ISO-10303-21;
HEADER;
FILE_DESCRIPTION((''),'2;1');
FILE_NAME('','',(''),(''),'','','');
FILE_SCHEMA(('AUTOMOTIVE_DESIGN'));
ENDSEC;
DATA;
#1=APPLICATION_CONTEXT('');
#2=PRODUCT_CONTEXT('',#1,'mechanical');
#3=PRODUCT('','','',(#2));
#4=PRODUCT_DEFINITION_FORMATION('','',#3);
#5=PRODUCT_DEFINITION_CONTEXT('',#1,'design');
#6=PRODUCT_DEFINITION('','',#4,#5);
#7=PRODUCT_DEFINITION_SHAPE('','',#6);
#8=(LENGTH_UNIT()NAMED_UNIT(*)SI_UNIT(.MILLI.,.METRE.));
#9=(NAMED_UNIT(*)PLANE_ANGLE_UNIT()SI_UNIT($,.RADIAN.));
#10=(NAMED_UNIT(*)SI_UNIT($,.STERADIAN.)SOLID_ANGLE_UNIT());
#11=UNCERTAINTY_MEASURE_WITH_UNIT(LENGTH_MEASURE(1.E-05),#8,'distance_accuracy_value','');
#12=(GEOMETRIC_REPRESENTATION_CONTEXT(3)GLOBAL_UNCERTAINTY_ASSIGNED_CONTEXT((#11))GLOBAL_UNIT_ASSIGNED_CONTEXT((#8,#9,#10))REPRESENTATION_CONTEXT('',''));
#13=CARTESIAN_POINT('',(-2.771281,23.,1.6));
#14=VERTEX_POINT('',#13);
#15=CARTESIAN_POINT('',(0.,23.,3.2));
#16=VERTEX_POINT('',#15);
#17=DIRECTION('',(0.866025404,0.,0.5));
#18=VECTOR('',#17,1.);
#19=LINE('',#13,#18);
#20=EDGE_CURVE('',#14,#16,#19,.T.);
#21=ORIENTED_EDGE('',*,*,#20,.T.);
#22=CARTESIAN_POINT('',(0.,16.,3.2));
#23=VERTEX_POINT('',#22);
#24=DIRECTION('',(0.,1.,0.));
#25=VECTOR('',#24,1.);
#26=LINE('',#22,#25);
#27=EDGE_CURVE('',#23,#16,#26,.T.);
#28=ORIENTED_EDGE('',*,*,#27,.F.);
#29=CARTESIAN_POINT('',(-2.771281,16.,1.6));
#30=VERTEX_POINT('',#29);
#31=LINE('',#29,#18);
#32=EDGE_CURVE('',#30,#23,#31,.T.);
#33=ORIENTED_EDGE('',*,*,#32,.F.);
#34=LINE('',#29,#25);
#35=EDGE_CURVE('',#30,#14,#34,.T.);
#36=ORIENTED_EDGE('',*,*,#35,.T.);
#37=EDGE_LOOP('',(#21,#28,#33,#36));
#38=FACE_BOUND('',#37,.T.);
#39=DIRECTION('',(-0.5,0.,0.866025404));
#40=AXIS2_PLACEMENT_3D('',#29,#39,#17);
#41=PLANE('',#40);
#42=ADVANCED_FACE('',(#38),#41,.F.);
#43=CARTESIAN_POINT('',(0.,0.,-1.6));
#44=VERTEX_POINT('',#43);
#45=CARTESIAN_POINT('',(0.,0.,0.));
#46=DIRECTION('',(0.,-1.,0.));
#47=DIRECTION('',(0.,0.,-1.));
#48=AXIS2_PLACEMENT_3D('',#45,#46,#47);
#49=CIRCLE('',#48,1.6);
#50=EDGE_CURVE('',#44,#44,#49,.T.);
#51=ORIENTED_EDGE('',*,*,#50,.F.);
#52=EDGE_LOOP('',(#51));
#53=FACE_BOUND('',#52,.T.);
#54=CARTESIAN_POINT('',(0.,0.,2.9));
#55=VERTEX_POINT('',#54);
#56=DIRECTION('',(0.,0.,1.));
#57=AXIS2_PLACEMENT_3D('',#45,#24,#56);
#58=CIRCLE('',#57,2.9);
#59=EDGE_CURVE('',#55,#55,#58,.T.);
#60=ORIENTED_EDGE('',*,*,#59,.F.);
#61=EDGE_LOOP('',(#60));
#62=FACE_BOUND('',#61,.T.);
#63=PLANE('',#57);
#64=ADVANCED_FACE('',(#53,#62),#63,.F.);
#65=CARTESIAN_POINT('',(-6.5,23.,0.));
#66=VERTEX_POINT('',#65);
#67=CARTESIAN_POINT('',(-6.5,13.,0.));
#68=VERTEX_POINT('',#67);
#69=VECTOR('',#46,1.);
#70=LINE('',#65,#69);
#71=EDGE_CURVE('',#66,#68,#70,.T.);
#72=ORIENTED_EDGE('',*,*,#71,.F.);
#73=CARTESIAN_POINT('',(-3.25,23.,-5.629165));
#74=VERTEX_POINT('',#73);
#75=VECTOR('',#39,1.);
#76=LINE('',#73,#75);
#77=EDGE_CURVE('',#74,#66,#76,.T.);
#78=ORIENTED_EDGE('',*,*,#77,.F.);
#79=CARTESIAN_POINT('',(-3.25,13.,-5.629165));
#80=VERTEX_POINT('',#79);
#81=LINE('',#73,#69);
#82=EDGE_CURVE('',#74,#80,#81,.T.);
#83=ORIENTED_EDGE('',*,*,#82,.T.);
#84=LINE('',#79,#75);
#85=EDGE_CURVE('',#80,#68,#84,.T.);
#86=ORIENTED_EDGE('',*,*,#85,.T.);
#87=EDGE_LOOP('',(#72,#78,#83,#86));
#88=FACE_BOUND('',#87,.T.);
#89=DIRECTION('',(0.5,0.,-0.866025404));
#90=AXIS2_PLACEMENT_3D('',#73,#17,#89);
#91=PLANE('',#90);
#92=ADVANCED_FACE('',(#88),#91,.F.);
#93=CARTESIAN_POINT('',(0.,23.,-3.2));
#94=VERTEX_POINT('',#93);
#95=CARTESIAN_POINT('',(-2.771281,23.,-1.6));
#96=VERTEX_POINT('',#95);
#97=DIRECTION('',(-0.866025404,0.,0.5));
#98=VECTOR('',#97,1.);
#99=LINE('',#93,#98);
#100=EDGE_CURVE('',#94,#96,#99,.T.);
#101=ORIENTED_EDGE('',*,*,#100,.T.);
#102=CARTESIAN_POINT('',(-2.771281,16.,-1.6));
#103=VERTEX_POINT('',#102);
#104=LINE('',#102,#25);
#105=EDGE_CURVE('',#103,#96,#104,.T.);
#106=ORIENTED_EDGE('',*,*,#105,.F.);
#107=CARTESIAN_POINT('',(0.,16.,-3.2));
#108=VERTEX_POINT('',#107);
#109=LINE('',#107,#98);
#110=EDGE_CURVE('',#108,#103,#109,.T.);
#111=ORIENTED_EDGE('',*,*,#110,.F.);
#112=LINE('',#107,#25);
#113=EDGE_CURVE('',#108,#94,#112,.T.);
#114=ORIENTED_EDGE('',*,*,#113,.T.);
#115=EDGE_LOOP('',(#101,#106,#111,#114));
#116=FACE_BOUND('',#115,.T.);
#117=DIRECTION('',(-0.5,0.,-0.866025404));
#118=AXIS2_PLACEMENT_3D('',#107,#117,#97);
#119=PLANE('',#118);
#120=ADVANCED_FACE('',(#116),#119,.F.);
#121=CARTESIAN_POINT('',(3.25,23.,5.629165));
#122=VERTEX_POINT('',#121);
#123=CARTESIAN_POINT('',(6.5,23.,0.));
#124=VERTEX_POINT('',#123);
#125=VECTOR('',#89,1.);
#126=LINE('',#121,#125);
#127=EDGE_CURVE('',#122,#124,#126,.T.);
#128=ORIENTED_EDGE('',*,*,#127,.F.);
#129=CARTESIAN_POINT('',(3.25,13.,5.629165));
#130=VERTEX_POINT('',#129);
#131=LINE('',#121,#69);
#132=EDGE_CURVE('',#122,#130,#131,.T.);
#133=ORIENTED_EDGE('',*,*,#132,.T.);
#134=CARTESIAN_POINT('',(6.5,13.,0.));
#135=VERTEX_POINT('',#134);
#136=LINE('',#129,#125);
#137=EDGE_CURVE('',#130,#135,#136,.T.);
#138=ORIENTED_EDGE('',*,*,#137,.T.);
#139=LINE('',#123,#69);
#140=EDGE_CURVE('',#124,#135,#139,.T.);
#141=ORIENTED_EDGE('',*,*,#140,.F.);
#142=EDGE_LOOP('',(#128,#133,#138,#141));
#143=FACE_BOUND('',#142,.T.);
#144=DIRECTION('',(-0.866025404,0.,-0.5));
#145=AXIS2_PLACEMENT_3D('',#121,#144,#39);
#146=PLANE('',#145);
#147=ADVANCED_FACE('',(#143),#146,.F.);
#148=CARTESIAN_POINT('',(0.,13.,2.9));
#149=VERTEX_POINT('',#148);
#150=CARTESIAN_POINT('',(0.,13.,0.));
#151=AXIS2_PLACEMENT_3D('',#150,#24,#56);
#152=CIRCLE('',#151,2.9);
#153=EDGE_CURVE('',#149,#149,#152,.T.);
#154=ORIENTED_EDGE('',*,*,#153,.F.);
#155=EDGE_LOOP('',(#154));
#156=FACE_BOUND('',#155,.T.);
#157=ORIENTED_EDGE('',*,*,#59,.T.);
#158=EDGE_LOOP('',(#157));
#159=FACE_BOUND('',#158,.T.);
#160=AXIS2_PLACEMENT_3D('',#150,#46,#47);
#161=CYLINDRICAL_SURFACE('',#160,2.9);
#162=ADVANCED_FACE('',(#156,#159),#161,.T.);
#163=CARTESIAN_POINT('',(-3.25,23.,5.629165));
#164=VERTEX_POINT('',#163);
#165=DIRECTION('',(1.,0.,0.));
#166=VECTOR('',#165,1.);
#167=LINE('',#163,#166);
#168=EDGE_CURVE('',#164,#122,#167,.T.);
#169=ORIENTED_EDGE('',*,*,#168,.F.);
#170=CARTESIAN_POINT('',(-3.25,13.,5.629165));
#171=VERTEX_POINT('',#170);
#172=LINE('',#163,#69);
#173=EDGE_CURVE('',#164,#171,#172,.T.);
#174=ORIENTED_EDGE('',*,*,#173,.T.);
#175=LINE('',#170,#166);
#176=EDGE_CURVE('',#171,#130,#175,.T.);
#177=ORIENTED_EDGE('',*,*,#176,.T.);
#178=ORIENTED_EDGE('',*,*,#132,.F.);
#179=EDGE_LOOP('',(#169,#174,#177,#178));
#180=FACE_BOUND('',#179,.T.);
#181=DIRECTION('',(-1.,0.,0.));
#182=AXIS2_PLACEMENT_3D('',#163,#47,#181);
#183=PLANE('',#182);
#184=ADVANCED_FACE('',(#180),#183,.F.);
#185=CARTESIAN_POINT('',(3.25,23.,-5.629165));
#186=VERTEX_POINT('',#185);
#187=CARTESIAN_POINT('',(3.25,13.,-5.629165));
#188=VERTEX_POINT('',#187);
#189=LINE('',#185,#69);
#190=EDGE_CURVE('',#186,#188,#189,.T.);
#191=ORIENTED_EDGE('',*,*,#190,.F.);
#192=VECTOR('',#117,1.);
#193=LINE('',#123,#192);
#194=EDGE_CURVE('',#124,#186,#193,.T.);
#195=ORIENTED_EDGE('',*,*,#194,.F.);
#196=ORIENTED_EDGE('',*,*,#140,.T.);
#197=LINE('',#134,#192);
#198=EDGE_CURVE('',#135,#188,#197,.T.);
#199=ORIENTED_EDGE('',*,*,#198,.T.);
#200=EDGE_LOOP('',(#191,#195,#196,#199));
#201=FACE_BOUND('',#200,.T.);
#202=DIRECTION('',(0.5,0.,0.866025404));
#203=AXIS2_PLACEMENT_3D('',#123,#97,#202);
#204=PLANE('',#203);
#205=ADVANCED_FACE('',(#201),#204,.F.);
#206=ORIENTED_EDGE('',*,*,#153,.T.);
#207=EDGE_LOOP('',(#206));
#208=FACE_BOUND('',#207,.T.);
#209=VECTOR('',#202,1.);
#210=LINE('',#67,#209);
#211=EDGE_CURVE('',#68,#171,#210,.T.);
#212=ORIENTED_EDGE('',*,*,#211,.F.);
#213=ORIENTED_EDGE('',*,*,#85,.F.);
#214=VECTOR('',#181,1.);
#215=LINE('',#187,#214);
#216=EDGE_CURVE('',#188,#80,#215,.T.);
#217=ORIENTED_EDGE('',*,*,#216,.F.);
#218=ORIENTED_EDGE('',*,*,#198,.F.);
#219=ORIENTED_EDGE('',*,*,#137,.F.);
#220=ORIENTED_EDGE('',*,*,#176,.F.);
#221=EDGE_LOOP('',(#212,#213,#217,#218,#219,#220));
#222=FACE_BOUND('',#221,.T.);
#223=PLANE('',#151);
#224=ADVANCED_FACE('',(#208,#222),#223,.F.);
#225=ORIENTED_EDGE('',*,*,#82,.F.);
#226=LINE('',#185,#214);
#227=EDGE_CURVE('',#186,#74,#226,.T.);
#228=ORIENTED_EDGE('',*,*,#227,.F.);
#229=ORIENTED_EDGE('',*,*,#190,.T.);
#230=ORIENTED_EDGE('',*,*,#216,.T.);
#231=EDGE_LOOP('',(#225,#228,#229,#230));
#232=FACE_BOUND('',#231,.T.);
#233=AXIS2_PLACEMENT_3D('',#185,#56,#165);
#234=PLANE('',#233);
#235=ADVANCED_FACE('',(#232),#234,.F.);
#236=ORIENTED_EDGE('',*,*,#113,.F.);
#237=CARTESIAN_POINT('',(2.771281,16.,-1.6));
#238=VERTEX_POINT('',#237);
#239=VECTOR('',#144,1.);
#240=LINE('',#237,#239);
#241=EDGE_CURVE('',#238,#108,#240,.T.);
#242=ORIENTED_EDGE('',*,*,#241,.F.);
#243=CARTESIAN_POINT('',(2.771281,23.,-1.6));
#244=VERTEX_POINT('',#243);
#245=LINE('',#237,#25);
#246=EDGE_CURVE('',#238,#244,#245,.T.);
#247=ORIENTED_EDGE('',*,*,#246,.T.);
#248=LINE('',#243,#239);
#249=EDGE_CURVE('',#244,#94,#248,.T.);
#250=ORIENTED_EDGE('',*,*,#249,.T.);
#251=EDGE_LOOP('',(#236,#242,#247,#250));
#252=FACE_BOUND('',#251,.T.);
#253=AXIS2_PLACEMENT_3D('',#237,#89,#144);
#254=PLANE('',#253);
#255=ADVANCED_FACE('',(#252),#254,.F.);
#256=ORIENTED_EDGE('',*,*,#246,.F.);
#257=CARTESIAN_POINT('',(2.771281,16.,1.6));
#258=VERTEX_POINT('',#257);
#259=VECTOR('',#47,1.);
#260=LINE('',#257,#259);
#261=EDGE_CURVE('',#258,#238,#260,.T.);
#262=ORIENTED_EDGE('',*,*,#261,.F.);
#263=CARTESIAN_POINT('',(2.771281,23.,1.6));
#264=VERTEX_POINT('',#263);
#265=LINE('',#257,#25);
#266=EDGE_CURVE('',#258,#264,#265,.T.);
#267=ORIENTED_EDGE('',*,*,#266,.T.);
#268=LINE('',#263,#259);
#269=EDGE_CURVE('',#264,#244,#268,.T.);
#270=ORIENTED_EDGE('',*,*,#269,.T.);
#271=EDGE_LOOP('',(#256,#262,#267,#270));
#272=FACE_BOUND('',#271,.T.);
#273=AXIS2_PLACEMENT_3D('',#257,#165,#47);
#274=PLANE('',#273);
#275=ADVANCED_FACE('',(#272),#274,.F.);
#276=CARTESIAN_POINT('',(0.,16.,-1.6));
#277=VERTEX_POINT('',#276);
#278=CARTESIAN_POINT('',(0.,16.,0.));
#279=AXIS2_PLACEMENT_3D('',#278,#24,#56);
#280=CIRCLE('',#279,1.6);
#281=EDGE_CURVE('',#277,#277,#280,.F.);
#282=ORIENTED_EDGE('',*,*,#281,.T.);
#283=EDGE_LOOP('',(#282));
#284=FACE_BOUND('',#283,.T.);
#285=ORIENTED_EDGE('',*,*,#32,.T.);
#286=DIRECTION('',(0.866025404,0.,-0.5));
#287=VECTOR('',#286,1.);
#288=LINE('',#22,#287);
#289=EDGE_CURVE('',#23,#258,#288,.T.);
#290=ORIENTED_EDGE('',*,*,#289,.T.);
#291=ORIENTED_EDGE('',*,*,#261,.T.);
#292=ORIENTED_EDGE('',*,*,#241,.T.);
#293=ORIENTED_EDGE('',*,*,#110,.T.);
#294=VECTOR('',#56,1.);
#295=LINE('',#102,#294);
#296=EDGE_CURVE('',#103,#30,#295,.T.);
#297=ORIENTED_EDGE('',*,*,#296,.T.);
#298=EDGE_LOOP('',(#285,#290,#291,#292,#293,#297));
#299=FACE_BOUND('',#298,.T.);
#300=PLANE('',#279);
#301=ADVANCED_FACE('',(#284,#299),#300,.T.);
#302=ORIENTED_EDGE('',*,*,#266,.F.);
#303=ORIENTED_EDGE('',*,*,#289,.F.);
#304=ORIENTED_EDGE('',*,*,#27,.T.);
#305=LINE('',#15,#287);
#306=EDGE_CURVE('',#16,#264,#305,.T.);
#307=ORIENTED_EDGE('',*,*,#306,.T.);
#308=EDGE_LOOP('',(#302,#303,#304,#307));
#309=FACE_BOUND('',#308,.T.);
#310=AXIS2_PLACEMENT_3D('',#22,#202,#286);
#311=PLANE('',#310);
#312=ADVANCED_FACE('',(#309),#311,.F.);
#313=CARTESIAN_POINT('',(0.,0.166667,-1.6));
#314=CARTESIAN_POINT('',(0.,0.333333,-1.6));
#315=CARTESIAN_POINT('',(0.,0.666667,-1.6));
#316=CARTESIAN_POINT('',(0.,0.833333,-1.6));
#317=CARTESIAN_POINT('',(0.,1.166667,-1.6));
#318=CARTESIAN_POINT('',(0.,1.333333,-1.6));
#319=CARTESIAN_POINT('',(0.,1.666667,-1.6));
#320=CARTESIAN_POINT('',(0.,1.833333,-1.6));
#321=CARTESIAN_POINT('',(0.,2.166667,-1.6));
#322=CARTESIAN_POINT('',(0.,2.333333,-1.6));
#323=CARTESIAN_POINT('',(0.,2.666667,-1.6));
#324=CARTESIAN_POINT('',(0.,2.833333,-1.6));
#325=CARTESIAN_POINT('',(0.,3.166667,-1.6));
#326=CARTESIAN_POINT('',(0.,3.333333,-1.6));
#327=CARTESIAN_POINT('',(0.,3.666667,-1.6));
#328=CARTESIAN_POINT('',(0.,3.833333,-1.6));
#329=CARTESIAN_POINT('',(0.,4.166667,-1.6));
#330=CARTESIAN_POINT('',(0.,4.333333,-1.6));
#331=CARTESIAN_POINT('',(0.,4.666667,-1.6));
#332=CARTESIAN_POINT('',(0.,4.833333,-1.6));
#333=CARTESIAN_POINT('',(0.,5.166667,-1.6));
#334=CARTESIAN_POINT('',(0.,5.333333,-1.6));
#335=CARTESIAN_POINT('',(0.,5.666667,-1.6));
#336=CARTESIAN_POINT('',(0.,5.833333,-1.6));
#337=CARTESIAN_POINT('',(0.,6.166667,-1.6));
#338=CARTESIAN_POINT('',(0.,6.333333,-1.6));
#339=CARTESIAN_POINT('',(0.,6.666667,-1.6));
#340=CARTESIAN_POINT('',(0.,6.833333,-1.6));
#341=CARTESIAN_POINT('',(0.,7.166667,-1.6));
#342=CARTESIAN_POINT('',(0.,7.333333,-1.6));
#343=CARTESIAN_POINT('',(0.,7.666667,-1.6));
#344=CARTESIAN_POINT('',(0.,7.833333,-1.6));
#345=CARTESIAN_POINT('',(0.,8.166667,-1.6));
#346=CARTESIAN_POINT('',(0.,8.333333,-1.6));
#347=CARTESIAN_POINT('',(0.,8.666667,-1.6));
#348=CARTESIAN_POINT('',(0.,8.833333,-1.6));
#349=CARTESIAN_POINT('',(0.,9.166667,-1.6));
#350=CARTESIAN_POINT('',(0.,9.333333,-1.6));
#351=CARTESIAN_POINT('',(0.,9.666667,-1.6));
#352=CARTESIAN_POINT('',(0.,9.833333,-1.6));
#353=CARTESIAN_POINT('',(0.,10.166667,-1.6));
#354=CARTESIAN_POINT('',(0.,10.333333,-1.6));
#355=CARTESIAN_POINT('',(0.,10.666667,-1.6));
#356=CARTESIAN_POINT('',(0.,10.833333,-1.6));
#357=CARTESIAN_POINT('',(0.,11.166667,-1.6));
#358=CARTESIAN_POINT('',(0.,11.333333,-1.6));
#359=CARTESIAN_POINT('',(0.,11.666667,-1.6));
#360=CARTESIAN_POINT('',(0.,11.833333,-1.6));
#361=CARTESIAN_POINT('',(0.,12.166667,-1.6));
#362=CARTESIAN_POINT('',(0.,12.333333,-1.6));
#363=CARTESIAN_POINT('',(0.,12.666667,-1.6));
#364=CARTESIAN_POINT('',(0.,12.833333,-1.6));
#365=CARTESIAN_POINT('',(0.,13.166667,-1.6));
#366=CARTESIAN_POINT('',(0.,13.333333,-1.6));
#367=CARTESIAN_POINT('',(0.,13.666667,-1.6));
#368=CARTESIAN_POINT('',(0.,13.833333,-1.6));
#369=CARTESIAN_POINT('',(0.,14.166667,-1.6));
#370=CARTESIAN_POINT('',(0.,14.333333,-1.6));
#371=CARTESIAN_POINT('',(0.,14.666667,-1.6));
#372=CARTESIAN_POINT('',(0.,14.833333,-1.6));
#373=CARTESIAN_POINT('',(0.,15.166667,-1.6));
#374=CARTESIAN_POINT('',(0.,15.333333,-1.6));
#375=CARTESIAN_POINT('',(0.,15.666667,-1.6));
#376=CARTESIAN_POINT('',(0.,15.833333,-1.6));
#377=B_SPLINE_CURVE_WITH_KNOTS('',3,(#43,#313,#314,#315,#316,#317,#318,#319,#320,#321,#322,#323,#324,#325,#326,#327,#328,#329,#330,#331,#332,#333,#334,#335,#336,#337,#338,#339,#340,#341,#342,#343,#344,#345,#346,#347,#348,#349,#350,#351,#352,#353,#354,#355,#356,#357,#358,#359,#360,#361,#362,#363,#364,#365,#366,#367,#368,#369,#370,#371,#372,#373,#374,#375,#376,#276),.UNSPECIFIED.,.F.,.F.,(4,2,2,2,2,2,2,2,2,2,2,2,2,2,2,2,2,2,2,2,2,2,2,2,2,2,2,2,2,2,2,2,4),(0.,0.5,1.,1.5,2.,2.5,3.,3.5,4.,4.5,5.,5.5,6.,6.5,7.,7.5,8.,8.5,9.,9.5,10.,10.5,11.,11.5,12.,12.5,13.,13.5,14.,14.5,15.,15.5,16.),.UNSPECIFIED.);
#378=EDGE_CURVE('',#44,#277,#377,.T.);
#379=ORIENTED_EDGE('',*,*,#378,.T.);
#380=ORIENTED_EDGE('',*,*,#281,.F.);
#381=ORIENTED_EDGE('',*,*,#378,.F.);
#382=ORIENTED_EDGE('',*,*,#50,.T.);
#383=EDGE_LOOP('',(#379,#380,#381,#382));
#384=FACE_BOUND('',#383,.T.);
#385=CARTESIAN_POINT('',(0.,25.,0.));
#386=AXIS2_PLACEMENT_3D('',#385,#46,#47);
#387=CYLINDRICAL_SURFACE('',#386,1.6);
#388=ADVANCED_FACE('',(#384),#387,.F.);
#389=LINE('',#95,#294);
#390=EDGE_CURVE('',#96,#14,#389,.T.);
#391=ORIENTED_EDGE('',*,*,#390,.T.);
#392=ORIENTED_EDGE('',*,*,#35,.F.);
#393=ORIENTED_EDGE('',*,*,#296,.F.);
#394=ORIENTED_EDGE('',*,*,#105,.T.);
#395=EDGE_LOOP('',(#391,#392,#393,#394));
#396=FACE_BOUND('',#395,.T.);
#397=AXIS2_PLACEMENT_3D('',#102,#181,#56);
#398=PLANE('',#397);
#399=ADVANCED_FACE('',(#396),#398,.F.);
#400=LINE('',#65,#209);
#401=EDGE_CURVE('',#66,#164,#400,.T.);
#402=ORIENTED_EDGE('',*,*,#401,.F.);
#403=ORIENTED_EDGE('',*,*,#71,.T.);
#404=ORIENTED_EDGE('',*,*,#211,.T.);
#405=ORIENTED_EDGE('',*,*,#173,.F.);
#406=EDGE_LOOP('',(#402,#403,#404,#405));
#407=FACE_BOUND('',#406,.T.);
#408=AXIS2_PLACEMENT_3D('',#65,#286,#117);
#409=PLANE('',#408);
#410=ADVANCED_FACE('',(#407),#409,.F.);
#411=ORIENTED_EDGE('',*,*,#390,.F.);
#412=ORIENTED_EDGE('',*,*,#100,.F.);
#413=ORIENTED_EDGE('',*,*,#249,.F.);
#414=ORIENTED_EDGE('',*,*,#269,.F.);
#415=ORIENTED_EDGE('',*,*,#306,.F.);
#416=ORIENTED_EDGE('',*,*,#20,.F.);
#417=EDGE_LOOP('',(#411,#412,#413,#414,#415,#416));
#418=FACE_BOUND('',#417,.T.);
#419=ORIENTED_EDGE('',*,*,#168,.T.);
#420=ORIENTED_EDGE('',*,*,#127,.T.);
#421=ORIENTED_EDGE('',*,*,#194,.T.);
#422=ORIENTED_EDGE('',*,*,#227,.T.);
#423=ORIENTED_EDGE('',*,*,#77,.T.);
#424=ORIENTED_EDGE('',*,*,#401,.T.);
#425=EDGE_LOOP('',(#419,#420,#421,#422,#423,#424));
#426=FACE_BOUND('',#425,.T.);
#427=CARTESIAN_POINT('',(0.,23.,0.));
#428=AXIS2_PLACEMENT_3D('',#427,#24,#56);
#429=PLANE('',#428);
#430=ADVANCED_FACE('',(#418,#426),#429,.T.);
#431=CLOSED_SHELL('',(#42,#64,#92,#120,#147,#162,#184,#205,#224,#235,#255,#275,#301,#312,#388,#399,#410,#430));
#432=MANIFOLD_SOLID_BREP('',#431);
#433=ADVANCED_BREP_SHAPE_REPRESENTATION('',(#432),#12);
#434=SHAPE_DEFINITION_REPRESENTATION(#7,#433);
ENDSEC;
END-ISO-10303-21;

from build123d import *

# Parameters (mm, degrees)
SKETCH1_R           = 2.9
BOSS_EXTRUDE1_DEPTH = 13
BOSS_EXTRUDE2_DEPTH = 10
SKETCH3_R           = 1.6
CUT_EXTRUDE1_DEPTH  = 25
CUT_EXTRUDE2_DEPTH  = 7


with BuildPart() as part:
    # Sketch1 → Boss-Extrude1 (new body)
    with BuildSketch(Plane(origin=(0, 0, 0), x_dir=(1, 0, 0), z_dir=(0, 1, 0))):
        with Locations(Location((0, 0, 0), (0, 0, 270))):
            Circle(SKETCH1_R)
    extrude(amount=BOSS_EXTRUDE1_DEPTH)

    # Sketch2 → Boss-Extrude2 (add)
    with BuildSketch(Plane(origin=(0, 13, 0), x_dir=(1, 0, 0), z_dir=(0, 1, 0))):
        Polygon((6.5, 0), (3.25, 5.629165125), (-3.25, 5.629165125), (-6.5, 0), (-3.25, -5.629165125), (3.25, -5.629165125), align=None)
    extrude(amount=BOSS_EXTRUDE2_DEPTH)

    # Sketch3 → Cut-Extrude1 (cut)
    with BuildSketch(Plane.XZ):
        with Locations(Location((0, 0, 0), (0, 0, 270))):
            Circle(SKETCH3_R)
    extrude(amount=-CUT_EXTRUDE1_DEPTH, mode=Mode.SUBTRACT)

    # Sketch4 → Cut-Extrude2 (cut)
    with BuildSketch(Plane(origin=(0, 23, 0), x_dir=(1, 0, 0), z_dir=(0, 1, 0))):
        Polygon((0, 3.2), (-2.771281292, 1.6), (-2.771281292, -1.6), (0, -3.2), (2.771281292, -1.6), (2.771281292, 1.6), align=None)
    extrude(amount=-CUT_EXTRUDE2_DEPTH, mode=Mode.SUBTRACT)


solid = part.part
